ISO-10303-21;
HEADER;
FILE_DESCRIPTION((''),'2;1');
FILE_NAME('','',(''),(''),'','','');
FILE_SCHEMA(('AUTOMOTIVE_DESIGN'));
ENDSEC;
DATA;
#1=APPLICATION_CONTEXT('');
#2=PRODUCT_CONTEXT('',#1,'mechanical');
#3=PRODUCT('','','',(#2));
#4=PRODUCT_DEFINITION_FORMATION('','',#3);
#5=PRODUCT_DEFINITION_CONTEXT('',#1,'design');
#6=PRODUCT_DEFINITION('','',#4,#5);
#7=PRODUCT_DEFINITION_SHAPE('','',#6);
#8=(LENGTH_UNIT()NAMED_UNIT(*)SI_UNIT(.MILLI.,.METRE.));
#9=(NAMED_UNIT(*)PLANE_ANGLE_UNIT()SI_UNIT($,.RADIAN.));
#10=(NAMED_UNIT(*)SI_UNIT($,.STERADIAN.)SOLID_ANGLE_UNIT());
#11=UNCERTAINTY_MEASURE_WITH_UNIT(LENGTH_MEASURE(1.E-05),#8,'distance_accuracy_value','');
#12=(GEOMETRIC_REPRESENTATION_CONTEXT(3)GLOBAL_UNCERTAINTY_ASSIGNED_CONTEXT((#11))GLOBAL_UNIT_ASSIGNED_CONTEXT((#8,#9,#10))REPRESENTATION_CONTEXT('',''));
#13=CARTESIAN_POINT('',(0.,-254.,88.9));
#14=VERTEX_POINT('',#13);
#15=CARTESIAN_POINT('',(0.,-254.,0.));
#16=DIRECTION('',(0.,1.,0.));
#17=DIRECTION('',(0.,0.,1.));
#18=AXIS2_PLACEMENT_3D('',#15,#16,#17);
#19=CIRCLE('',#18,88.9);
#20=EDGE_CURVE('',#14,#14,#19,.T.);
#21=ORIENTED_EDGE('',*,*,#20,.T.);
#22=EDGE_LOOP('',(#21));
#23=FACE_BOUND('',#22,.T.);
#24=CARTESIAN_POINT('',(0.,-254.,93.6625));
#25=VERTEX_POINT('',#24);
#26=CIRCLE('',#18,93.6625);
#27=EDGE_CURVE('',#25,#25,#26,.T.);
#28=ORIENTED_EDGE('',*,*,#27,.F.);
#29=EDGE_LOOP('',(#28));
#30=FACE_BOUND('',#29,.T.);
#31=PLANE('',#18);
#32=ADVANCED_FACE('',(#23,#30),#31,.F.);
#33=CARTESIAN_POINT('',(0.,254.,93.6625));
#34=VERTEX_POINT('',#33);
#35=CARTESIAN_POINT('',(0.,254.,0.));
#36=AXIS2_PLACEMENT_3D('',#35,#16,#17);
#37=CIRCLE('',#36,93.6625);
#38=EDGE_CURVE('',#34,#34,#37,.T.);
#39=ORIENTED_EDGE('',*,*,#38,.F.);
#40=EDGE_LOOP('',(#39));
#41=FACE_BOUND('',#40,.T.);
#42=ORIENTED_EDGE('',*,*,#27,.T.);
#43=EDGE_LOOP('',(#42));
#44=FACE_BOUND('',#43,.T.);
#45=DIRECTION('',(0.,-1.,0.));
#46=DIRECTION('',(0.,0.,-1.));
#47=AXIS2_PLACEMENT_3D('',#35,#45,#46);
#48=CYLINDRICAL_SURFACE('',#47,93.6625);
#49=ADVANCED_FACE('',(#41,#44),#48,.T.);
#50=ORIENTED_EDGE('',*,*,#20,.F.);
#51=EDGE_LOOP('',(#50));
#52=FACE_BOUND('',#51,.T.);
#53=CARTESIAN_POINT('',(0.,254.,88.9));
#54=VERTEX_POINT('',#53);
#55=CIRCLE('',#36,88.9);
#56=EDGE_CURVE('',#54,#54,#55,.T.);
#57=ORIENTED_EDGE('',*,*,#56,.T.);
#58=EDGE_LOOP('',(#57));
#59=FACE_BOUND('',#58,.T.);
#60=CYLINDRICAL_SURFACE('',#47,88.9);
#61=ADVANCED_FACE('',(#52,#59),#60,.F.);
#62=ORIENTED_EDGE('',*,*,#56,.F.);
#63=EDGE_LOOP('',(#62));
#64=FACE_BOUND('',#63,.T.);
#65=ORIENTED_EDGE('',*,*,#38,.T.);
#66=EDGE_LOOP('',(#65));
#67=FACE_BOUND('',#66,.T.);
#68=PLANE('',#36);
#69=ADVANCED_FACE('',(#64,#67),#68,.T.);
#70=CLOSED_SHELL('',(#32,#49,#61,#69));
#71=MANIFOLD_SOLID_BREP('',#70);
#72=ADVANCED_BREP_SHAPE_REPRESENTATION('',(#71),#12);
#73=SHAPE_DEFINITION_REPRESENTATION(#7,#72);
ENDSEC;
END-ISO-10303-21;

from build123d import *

# Parameters (mm, degrees)
SKETCH1_R           = 93.6625
SKETCH1_R_2         = 88.9
BOSS_EXTRUDE1_DEPTH = 254


with BuildPart() as part:
    # Sketch1 → Boss-Extrude1 (new body, symmetric)
    with BuildSketch(Plane(origin=(0, 0, 0), x_dir=(1, 0, 0), z_dir=(0, 1, 0))):
        Circle(SKETCH1_R)
        Circle(SKETCH1_R_2, mode=Mode.SUBTRACT)
    extrude(amount=BOSS_EXTRUDE1_DEPTH, both=True)


solid = part.part
